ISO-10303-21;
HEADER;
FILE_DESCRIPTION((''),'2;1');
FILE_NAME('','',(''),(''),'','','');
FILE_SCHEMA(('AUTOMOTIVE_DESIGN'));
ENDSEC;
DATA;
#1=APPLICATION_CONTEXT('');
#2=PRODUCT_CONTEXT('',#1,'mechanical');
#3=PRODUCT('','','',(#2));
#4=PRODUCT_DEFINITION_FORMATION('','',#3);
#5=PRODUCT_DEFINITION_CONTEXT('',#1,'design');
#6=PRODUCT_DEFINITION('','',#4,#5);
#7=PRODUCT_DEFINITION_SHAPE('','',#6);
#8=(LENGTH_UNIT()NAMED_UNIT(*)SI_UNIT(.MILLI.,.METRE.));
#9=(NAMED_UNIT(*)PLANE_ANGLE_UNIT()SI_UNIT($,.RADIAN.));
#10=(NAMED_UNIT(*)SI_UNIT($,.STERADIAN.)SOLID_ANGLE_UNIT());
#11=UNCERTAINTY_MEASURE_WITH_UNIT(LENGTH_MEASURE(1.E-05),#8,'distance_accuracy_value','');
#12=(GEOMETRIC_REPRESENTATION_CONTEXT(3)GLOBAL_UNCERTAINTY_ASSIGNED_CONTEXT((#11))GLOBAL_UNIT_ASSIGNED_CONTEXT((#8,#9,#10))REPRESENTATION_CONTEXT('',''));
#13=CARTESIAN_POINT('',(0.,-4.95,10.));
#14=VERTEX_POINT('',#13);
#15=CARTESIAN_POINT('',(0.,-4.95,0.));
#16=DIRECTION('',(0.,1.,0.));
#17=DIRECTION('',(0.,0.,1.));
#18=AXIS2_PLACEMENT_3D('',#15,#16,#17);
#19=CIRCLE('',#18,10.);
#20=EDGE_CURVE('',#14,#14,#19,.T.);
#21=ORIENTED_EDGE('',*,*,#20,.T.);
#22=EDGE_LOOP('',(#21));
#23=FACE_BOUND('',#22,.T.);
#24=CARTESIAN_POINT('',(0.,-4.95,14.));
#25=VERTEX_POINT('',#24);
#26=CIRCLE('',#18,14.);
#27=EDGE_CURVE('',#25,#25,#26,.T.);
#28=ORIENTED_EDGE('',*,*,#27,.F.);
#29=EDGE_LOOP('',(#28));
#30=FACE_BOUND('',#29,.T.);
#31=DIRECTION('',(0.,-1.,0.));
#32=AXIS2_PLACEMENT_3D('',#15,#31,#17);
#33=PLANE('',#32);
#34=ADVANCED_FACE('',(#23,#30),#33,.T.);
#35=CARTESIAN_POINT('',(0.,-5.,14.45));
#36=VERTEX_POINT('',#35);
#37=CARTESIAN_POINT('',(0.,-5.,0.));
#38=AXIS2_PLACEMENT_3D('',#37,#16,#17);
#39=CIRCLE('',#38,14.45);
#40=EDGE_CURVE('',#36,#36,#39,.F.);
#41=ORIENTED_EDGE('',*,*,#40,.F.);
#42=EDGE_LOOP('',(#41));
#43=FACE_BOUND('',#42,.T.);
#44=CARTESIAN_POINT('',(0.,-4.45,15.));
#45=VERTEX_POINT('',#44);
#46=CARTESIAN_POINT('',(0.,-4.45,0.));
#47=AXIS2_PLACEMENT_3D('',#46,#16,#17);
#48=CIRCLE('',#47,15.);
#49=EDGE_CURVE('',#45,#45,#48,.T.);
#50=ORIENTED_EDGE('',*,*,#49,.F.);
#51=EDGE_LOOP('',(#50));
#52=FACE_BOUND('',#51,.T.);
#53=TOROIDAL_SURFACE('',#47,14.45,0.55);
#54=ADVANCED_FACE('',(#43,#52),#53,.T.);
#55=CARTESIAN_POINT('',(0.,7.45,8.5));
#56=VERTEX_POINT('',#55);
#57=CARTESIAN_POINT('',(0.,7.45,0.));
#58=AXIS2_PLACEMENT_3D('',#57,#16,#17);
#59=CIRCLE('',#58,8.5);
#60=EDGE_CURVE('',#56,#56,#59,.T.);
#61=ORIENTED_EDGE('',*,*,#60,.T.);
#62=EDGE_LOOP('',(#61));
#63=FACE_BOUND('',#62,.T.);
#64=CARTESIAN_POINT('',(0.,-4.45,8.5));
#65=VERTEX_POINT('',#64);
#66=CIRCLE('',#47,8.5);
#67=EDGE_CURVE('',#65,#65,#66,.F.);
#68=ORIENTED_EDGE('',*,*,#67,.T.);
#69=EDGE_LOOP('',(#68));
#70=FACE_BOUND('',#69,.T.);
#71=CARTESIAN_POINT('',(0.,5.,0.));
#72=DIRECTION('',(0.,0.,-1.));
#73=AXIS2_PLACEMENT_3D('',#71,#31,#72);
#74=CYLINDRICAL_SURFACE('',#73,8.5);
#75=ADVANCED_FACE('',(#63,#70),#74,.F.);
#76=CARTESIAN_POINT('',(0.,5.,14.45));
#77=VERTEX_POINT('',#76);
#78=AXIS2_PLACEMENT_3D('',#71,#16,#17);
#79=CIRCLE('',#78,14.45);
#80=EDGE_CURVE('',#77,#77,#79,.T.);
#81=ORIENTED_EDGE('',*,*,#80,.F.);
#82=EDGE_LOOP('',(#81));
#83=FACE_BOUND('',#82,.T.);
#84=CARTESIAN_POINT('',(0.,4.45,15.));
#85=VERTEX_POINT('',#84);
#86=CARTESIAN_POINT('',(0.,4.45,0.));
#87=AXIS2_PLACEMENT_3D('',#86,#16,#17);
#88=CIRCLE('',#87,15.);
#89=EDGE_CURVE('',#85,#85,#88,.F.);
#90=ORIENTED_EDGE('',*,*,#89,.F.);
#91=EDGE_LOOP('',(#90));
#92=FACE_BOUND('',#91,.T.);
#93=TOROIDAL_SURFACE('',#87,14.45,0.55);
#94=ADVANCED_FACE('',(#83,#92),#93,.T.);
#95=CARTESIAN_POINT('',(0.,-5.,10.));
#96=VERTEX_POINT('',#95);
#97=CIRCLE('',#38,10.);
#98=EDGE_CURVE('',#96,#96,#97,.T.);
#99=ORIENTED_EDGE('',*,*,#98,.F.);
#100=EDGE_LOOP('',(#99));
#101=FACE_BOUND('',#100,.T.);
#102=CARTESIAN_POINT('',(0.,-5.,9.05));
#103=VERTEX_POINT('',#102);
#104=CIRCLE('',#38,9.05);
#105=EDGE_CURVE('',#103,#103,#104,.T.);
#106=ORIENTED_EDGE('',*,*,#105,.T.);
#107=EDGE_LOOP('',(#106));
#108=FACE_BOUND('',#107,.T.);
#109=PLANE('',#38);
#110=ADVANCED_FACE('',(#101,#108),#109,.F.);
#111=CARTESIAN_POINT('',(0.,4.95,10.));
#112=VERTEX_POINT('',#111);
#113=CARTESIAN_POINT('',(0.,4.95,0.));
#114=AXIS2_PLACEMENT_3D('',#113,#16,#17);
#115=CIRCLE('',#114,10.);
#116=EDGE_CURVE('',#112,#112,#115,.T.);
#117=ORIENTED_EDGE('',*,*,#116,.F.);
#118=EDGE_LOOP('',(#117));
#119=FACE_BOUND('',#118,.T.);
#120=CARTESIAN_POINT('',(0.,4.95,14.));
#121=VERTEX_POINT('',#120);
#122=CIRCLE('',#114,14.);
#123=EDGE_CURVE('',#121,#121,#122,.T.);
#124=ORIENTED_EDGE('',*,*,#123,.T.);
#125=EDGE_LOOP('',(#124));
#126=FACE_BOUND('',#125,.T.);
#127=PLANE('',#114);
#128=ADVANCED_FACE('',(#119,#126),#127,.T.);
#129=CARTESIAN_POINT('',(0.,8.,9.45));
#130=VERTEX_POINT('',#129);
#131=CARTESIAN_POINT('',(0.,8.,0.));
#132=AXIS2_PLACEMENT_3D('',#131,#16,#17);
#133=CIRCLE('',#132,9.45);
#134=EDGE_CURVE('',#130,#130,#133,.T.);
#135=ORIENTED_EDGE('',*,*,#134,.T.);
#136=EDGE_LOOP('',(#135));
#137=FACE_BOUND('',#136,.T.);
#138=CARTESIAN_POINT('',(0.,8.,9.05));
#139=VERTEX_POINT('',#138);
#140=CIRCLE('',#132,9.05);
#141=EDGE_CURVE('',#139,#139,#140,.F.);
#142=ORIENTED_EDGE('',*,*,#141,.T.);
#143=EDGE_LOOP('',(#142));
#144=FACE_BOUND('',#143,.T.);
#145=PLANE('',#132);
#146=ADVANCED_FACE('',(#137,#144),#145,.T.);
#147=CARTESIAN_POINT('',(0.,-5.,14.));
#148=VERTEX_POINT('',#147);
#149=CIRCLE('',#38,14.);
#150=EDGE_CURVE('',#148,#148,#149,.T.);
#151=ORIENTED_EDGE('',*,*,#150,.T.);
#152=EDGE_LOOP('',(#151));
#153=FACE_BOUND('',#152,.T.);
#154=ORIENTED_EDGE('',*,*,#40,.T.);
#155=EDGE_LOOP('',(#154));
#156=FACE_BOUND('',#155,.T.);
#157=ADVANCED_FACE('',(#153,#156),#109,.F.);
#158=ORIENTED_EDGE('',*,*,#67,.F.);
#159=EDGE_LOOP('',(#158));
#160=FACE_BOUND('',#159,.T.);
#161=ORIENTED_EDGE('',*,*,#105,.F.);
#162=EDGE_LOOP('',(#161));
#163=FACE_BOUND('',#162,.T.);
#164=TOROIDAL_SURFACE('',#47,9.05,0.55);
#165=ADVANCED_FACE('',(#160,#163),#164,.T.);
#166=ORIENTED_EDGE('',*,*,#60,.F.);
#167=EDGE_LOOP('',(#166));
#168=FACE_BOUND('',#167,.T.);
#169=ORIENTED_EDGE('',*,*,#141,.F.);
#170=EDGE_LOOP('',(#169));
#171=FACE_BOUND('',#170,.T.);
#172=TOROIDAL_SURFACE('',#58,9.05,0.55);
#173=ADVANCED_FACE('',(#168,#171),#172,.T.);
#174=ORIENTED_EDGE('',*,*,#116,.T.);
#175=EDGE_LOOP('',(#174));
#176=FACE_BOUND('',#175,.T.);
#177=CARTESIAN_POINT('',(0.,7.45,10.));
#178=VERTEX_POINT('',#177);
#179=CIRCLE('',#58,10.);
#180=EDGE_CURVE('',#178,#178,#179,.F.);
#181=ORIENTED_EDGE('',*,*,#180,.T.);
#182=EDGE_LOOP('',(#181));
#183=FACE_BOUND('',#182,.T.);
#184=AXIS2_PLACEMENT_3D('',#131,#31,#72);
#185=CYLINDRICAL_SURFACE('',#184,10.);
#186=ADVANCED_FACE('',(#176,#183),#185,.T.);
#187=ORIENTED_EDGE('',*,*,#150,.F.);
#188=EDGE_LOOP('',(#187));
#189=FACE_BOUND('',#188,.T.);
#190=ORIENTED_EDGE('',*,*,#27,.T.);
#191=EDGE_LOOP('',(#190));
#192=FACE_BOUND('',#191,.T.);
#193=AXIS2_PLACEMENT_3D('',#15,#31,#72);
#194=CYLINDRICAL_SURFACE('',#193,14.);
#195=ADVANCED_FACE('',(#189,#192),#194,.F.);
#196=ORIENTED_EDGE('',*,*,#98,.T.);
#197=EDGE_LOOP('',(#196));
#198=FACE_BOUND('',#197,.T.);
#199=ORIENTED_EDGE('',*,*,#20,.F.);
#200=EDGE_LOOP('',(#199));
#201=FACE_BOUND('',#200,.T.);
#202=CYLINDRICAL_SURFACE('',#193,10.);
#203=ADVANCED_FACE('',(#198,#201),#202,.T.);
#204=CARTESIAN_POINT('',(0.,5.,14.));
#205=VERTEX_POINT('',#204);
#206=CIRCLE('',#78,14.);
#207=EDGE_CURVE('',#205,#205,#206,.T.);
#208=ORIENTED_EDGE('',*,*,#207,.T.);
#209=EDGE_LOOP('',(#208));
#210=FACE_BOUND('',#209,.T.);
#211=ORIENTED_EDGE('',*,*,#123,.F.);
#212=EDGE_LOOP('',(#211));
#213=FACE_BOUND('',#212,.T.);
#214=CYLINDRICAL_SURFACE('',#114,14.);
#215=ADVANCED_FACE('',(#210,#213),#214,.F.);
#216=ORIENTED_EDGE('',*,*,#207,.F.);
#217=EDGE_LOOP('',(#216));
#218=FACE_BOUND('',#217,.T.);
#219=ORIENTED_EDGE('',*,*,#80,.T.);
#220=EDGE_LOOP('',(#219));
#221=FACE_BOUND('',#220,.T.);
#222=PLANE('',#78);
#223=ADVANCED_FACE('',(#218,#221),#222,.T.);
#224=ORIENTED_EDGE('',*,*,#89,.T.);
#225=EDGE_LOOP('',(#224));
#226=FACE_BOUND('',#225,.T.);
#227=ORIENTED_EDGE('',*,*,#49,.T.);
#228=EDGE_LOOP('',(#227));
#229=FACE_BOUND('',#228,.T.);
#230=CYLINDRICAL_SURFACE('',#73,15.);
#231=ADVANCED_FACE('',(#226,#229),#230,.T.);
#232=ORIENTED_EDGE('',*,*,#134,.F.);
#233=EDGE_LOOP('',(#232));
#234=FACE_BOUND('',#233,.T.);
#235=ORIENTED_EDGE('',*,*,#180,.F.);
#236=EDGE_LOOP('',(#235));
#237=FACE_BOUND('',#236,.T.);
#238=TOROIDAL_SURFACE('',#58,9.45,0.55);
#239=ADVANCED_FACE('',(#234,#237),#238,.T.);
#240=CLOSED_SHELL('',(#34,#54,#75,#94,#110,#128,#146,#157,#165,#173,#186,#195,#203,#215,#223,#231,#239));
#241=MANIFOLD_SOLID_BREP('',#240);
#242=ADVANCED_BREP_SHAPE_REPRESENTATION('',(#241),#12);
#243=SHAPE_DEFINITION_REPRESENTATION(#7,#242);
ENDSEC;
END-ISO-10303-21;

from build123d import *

# Parameters (mm, degrees)
SKETCH1_R           = 15
SKETCH1_R_2         = 8.5
BOSS_EXTRUDE1_DEPTH = 5
SKETCH2_R           = 10
SKETCH2_R_2         = 8.5
BOSS_EXTRUDE2_DEPTH = 3
CUT_EXTRUDE1_START  = -0.05
SKETCH3_R           = 14
SKETCH3_R_2         = 10
CUT_EXTRUDE1_DEPTH  = 0.05
FILLET1_R           = 0.55


with BuildPart() as part:
    # Sketch1 → Boss-Extrude1 (new, symmetric)
    with BuildSketch(Plane(origin=(0, 0, 0), x_dir=(1, 0, 0), z_dir=(0, 1, 0))):
        Circle(SKETCH1_R)
        Circle(SKETCH1_R_2, mode=Mode.SUBTRACT)
    extrude(amount=BOSS_EXTRUDE1_DEPTH, both=True)

    # Sketch2 → Boss-Extrude2 (add)
    with BuildSketch(Plane(origin=(0, 5, 0), x_dir=(1, 0, 0), z_dir=(0, 1, 0))):
        Circle(SKETCH2_R)
        Circle(SKETCH2_R_2, mode=Mode.SUBTRACT)
    extrude(amount=BOSS_EXTRUDE2_DEPTH)

    # Sketch3 → Cut-Extrude1 (cut)
    with BuildSketch(Plane(origin=(0, 5, 0), x_dir=(1, 0, 0), z_dir=(0, 1, 0)).offset(CUT_EXTRUDE1_START)):
        Circle(SKETCH3_R)
        Circle(SKETCH3_R_2, mode=Mode.SUBTRACT)
    cut_extrude1 = extrude(amount=CUT_EXTRUDE1_DEPTH, mode=Mode.SUBTRACT)

    # Mirror1: Cut-Extrude1 across plane
    add(cut_extrude1.mirror(Plane.ZX), mode=Mode.SUBTRACT)

    # Fillet1
    fillet1_edges = [part.edges().sort_by_distance(p)[0] for p in [
        (-8.5, 8, 0),
        (-8.5, -5, 0),
        (-15, -5, 0),
        (-15, 5, 0),
        (-10, 8, 0),
    ]]
    fillet(fillet1_edges, radius=FILLET1_R)


solid = part.part
